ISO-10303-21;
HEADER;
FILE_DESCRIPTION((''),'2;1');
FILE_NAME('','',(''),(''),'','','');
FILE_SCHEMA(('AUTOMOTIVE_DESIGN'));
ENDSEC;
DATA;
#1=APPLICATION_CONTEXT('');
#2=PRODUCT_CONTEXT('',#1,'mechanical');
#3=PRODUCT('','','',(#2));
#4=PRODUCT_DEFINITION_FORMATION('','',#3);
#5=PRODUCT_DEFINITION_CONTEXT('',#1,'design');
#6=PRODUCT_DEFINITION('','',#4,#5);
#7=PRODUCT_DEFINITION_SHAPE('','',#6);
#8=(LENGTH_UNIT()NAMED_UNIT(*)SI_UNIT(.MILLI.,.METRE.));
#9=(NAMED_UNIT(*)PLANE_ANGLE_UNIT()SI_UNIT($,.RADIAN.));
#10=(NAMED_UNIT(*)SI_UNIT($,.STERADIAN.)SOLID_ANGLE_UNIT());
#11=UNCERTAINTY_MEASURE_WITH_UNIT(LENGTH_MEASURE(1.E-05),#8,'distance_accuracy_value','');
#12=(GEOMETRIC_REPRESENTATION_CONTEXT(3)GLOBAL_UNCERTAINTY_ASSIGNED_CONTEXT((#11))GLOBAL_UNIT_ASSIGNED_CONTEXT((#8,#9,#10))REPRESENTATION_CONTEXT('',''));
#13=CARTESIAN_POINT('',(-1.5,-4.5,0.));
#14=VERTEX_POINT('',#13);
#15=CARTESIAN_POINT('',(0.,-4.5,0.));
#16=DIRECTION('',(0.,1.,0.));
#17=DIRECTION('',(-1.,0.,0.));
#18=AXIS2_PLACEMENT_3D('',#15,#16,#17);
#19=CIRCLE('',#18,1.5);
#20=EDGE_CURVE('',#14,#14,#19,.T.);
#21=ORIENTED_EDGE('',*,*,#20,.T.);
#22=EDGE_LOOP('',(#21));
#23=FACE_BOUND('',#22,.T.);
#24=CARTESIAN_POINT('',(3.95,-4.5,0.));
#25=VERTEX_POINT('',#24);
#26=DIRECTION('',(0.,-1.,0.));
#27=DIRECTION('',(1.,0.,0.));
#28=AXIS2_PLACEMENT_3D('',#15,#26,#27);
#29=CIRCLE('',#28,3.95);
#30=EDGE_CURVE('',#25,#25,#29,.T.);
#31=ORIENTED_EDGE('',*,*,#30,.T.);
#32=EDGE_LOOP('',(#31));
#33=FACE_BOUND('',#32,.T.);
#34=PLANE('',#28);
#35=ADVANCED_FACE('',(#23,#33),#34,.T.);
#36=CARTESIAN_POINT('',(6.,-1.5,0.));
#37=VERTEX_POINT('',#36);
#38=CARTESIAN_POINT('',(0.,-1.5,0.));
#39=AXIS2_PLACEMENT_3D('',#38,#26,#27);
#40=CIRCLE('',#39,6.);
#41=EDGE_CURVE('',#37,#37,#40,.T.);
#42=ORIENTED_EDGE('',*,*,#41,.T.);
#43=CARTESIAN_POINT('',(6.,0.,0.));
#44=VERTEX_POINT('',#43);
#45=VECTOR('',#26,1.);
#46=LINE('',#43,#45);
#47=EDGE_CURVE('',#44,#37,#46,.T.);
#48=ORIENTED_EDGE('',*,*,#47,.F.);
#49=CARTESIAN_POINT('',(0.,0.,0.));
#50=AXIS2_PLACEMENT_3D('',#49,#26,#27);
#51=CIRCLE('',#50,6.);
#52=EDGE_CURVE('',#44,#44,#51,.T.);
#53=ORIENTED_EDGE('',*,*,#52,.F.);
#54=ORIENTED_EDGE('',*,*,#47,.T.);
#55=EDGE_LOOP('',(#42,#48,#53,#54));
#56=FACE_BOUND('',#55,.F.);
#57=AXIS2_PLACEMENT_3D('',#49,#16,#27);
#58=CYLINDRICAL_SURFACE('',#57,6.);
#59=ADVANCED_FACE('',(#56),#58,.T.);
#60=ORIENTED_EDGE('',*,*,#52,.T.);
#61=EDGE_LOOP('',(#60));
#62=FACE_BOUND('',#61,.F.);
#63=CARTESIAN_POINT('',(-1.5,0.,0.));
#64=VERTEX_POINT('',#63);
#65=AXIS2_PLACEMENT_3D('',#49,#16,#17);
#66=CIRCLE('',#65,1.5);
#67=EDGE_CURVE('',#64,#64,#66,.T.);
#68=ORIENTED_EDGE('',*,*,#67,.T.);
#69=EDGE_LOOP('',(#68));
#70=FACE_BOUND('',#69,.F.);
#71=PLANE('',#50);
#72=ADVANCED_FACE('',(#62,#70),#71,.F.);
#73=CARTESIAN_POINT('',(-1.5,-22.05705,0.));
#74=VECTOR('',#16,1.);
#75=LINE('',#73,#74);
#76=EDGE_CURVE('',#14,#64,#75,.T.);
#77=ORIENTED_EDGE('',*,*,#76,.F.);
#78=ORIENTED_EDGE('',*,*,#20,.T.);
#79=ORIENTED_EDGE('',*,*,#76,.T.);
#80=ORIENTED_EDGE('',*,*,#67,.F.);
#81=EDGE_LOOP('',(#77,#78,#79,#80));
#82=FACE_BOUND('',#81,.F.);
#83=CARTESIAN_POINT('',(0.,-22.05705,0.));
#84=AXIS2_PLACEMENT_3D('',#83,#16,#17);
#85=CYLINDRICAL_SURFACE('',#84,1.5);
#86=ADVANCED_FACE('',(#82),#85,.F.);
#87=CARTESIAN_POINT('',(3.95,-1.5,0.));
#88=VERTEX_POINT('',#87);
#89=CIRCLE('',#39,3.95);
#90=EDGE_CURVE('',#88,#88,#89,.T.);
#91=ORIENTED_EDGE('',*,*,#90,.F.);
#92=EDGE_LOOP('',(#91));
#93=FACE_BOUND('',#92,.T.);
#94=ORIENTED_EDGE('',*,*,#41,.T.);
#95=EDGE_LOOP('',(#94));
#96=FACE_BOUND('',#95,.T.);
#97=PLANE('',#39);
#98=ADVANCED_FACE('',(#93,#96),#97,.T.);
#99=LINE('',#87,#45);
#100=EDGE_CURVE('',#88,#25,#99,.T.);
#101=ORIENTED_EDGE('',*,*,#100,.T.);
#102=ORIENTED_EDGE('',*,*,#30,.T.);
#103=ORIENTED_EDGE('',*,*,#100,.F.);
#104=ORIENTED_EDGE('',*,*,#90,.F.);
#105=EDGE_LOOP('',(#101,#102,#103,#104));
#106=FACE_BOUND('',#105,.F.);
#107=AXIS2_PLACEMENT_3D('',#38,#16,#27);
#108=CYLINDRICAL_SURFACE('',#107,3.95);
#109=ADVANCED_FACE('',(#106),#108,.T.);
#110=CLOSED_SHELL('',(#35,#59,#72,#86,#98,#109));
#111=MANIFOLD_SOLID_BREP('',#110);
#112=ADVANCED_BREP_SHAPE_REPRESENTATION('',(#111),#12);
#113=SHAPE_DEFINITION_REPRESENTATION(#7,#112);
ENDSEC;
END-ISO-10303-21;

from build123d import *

# Parameters (mm, degrees)
F0_R     = 6
F1_DEPTH = 1.5
F2_R     = 3.95
F3_DEPTH = 3
F5_D     = 3


with BuildPart() as f1:
    # F0 (on Front) → F1 (new body)
    with BuildSketch(Plane.XZ):
        Circle(F0_R)
    extrude(amount=F1_DEPTH)

    # F2 (on face) → F3 (join)
    with BuildSketch(Plane.XZ.offset(1.5)):
        Circle(F2_R)
    extrude(amount=F3_DEPTH)

    # F5 (through all)
    with Locations(Plane.XZ.offset(4.5)):
        with Locations((0, 0)):
            Hole(F5_D / 2)


solid = f1.part
